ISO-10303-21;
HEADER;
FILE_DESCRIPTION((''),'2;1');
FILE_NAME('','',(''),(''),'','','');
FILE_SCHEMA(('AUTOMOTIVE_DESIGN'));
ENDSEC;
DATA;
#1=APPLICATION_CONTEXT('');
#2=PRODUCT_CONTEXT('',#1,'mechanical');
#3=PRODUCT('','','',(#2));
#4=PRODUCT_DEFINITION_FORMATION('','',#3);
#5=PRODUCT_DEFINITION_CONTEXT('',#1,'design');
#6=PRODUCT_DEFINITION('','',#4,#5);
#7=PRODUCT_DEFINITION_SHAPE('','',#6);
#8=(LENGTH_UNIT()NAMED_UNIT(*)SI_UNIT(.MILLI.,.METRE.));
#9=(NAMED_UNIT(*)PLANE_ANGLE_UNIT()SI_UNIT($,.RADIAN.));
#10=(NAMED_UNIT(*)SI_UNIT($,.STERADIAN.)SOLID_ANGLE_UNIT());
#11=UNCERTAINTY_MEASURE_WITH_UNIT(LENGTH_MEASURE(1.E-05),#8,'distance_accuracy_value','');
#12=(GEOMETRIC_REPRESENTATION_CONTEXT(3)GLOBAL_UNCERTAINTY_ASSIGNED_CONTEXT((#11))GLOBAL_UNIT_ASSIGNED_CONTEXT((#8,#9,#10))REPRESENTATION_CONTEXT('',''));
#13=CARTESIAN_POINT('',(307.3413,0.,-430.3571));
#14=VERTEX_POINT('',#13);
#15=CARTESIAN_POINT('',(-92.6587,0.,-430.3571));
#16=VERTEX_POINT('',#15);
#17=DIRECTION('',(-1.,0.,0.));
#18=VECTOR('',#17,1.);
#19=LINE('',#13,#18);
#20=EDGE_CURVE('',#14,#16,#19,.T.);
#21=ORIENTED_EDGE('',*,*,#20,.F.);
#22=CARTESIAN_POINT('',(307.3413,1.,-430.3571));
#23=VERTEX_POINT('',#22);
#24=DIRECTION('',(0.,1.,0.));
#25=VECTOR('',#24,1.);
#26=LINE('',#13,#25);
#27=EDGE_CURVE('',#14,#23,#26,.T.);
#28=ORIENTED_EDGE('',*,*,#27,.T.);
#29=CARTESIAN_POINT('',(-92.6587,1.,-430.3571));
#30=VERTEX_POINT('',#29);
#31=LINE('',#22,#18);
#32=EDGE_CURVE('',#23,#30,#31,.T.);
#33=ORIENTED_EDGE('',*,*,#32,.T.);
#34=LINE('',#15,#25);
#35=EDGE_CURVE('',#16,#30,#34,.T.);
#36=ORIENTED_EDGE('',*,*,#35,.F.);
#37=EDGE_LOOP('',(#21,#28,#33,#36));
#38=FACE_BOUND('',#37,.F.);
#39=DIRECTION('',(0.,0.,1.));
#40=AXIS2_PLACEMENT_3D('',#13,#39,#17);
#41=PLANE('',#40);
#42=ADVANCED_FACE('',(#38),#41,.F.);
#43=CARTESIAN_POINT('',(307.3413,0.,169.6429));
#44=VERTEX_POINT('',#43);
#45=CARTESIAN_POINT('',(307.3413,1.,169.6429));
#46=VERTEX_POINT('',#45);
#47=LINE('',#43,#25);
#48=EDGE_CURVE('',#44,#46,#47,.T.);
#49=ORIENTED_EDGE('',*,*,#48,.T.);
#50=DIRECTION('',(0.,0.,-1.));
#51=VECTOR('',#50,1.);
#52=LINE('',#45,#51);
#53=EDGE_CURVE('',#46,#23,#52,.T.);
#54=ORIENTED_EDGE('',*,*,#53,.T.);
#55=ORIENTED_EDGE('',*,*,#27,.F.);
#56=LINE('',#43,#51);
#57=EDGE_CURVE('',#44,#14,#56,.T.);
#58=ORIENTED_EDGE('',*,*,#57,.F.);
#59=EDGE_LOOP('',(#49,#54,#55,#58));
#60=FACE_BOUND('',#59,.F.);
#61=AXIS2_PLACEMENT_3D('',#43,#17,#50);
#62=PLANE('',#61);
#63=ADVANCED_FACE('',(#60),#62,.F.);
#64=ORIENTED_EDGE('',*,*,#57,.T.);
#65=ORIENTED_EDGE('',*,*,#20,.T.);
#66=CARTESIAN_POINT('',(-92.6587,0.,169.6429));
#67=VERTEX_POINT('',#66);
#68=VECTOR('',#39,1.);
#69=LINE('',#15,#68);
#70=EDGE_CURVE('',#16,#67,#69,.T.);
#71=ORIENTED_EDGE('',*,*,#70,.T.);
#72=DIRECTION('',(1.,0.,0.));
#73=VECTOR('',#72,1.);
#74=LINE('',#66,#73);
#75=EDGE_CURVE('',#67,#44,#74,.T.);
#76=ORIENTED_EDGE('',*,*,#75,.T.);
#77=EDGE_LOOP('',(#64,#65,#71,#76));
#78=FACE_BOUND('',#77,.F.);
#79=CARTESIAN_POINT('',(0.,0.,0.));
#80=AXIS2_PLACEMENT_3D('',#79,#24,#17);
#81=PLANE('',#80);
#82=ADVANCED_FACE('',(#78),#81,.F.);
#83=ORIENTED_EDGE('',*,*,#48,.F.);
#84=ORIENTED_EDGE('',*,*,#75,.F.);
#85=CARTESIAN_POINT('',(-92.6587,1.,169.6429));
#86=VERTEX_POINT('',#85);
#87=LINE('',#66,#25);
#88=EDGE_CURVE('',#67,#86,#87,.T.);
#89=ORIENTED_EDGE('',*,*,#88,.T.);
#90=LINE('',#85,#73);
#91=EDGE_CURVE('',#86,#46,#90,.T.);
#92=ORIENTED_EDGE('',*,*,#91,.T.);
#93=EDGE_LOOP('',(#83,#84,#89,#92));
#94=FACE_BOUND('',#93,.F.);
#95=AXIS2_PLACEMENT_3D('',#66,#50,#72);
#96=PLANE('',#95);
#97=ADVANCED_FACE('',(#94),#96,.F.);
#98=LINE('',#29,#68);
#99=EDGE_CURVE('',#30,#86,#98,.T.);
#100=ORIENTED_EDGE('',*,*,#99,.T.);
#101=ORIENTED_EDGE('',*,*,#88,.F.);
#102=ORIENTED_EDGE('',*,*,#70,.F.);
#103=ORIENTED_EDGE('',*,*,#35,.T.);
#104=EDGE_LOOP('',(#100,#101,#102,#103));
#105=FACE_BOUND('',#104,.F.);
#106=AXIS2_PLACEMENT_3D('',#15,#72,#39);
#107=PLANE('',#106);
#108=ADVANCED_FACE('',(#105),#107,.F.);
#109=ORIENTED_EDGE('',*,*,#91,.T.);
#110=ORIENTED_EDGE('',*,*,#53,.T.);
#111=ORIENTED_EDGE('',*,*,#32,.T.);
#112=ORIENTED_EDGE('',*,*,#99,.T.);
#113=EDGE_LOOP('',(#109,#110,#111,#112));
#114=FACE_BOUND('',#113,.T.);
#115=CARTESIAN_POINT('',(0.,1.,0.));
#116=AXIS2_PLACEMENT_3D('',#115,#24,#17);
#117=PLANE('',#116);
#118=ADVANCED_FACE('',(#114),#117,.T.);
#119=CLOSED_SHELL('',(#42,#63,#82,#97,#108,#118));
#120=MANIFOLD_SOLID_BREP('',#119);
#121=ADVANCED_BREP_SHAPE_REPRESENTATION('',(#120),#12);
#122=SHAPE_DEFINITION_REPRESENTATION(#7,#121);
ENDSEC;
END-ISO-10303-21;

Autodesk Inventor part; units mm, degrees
ref_plane "YZ Plane" through (0, 0, 0) normal (1, 0, 0) x (0, 1, 0)
ref_plane "XZ Plane" through (0, 0, 0) normal (0, 1, 0) x (-1, 0, 0)
ref_plane "XY Plane" through (0, 0, 0) normal (0, 0, 1) x (1, 0, 0)
sketch "Sketch1" plane through (0, 0, 0) normal (0, 1, 0) x (-1, 0, 0)
  line L0 (92.6587, 169.6429) -> (-307.3413, 169.6429)
  line L1 (-307.3413, 169.6429) -> (-307.3413, -430.3571)
  line L2 (-307.3413, -430.3571) -> (92.6587, -430.3571)
  line L3 (92.6587, -430.3571) -> (92.6587, 169.6429)
  point P0 (0, 0)
  dimension "d0" = 600
  dimension "d1" = 400
extrude "Extrusion1" add sketch "Sketch1" along normal blind 1
properties part number "floor"
